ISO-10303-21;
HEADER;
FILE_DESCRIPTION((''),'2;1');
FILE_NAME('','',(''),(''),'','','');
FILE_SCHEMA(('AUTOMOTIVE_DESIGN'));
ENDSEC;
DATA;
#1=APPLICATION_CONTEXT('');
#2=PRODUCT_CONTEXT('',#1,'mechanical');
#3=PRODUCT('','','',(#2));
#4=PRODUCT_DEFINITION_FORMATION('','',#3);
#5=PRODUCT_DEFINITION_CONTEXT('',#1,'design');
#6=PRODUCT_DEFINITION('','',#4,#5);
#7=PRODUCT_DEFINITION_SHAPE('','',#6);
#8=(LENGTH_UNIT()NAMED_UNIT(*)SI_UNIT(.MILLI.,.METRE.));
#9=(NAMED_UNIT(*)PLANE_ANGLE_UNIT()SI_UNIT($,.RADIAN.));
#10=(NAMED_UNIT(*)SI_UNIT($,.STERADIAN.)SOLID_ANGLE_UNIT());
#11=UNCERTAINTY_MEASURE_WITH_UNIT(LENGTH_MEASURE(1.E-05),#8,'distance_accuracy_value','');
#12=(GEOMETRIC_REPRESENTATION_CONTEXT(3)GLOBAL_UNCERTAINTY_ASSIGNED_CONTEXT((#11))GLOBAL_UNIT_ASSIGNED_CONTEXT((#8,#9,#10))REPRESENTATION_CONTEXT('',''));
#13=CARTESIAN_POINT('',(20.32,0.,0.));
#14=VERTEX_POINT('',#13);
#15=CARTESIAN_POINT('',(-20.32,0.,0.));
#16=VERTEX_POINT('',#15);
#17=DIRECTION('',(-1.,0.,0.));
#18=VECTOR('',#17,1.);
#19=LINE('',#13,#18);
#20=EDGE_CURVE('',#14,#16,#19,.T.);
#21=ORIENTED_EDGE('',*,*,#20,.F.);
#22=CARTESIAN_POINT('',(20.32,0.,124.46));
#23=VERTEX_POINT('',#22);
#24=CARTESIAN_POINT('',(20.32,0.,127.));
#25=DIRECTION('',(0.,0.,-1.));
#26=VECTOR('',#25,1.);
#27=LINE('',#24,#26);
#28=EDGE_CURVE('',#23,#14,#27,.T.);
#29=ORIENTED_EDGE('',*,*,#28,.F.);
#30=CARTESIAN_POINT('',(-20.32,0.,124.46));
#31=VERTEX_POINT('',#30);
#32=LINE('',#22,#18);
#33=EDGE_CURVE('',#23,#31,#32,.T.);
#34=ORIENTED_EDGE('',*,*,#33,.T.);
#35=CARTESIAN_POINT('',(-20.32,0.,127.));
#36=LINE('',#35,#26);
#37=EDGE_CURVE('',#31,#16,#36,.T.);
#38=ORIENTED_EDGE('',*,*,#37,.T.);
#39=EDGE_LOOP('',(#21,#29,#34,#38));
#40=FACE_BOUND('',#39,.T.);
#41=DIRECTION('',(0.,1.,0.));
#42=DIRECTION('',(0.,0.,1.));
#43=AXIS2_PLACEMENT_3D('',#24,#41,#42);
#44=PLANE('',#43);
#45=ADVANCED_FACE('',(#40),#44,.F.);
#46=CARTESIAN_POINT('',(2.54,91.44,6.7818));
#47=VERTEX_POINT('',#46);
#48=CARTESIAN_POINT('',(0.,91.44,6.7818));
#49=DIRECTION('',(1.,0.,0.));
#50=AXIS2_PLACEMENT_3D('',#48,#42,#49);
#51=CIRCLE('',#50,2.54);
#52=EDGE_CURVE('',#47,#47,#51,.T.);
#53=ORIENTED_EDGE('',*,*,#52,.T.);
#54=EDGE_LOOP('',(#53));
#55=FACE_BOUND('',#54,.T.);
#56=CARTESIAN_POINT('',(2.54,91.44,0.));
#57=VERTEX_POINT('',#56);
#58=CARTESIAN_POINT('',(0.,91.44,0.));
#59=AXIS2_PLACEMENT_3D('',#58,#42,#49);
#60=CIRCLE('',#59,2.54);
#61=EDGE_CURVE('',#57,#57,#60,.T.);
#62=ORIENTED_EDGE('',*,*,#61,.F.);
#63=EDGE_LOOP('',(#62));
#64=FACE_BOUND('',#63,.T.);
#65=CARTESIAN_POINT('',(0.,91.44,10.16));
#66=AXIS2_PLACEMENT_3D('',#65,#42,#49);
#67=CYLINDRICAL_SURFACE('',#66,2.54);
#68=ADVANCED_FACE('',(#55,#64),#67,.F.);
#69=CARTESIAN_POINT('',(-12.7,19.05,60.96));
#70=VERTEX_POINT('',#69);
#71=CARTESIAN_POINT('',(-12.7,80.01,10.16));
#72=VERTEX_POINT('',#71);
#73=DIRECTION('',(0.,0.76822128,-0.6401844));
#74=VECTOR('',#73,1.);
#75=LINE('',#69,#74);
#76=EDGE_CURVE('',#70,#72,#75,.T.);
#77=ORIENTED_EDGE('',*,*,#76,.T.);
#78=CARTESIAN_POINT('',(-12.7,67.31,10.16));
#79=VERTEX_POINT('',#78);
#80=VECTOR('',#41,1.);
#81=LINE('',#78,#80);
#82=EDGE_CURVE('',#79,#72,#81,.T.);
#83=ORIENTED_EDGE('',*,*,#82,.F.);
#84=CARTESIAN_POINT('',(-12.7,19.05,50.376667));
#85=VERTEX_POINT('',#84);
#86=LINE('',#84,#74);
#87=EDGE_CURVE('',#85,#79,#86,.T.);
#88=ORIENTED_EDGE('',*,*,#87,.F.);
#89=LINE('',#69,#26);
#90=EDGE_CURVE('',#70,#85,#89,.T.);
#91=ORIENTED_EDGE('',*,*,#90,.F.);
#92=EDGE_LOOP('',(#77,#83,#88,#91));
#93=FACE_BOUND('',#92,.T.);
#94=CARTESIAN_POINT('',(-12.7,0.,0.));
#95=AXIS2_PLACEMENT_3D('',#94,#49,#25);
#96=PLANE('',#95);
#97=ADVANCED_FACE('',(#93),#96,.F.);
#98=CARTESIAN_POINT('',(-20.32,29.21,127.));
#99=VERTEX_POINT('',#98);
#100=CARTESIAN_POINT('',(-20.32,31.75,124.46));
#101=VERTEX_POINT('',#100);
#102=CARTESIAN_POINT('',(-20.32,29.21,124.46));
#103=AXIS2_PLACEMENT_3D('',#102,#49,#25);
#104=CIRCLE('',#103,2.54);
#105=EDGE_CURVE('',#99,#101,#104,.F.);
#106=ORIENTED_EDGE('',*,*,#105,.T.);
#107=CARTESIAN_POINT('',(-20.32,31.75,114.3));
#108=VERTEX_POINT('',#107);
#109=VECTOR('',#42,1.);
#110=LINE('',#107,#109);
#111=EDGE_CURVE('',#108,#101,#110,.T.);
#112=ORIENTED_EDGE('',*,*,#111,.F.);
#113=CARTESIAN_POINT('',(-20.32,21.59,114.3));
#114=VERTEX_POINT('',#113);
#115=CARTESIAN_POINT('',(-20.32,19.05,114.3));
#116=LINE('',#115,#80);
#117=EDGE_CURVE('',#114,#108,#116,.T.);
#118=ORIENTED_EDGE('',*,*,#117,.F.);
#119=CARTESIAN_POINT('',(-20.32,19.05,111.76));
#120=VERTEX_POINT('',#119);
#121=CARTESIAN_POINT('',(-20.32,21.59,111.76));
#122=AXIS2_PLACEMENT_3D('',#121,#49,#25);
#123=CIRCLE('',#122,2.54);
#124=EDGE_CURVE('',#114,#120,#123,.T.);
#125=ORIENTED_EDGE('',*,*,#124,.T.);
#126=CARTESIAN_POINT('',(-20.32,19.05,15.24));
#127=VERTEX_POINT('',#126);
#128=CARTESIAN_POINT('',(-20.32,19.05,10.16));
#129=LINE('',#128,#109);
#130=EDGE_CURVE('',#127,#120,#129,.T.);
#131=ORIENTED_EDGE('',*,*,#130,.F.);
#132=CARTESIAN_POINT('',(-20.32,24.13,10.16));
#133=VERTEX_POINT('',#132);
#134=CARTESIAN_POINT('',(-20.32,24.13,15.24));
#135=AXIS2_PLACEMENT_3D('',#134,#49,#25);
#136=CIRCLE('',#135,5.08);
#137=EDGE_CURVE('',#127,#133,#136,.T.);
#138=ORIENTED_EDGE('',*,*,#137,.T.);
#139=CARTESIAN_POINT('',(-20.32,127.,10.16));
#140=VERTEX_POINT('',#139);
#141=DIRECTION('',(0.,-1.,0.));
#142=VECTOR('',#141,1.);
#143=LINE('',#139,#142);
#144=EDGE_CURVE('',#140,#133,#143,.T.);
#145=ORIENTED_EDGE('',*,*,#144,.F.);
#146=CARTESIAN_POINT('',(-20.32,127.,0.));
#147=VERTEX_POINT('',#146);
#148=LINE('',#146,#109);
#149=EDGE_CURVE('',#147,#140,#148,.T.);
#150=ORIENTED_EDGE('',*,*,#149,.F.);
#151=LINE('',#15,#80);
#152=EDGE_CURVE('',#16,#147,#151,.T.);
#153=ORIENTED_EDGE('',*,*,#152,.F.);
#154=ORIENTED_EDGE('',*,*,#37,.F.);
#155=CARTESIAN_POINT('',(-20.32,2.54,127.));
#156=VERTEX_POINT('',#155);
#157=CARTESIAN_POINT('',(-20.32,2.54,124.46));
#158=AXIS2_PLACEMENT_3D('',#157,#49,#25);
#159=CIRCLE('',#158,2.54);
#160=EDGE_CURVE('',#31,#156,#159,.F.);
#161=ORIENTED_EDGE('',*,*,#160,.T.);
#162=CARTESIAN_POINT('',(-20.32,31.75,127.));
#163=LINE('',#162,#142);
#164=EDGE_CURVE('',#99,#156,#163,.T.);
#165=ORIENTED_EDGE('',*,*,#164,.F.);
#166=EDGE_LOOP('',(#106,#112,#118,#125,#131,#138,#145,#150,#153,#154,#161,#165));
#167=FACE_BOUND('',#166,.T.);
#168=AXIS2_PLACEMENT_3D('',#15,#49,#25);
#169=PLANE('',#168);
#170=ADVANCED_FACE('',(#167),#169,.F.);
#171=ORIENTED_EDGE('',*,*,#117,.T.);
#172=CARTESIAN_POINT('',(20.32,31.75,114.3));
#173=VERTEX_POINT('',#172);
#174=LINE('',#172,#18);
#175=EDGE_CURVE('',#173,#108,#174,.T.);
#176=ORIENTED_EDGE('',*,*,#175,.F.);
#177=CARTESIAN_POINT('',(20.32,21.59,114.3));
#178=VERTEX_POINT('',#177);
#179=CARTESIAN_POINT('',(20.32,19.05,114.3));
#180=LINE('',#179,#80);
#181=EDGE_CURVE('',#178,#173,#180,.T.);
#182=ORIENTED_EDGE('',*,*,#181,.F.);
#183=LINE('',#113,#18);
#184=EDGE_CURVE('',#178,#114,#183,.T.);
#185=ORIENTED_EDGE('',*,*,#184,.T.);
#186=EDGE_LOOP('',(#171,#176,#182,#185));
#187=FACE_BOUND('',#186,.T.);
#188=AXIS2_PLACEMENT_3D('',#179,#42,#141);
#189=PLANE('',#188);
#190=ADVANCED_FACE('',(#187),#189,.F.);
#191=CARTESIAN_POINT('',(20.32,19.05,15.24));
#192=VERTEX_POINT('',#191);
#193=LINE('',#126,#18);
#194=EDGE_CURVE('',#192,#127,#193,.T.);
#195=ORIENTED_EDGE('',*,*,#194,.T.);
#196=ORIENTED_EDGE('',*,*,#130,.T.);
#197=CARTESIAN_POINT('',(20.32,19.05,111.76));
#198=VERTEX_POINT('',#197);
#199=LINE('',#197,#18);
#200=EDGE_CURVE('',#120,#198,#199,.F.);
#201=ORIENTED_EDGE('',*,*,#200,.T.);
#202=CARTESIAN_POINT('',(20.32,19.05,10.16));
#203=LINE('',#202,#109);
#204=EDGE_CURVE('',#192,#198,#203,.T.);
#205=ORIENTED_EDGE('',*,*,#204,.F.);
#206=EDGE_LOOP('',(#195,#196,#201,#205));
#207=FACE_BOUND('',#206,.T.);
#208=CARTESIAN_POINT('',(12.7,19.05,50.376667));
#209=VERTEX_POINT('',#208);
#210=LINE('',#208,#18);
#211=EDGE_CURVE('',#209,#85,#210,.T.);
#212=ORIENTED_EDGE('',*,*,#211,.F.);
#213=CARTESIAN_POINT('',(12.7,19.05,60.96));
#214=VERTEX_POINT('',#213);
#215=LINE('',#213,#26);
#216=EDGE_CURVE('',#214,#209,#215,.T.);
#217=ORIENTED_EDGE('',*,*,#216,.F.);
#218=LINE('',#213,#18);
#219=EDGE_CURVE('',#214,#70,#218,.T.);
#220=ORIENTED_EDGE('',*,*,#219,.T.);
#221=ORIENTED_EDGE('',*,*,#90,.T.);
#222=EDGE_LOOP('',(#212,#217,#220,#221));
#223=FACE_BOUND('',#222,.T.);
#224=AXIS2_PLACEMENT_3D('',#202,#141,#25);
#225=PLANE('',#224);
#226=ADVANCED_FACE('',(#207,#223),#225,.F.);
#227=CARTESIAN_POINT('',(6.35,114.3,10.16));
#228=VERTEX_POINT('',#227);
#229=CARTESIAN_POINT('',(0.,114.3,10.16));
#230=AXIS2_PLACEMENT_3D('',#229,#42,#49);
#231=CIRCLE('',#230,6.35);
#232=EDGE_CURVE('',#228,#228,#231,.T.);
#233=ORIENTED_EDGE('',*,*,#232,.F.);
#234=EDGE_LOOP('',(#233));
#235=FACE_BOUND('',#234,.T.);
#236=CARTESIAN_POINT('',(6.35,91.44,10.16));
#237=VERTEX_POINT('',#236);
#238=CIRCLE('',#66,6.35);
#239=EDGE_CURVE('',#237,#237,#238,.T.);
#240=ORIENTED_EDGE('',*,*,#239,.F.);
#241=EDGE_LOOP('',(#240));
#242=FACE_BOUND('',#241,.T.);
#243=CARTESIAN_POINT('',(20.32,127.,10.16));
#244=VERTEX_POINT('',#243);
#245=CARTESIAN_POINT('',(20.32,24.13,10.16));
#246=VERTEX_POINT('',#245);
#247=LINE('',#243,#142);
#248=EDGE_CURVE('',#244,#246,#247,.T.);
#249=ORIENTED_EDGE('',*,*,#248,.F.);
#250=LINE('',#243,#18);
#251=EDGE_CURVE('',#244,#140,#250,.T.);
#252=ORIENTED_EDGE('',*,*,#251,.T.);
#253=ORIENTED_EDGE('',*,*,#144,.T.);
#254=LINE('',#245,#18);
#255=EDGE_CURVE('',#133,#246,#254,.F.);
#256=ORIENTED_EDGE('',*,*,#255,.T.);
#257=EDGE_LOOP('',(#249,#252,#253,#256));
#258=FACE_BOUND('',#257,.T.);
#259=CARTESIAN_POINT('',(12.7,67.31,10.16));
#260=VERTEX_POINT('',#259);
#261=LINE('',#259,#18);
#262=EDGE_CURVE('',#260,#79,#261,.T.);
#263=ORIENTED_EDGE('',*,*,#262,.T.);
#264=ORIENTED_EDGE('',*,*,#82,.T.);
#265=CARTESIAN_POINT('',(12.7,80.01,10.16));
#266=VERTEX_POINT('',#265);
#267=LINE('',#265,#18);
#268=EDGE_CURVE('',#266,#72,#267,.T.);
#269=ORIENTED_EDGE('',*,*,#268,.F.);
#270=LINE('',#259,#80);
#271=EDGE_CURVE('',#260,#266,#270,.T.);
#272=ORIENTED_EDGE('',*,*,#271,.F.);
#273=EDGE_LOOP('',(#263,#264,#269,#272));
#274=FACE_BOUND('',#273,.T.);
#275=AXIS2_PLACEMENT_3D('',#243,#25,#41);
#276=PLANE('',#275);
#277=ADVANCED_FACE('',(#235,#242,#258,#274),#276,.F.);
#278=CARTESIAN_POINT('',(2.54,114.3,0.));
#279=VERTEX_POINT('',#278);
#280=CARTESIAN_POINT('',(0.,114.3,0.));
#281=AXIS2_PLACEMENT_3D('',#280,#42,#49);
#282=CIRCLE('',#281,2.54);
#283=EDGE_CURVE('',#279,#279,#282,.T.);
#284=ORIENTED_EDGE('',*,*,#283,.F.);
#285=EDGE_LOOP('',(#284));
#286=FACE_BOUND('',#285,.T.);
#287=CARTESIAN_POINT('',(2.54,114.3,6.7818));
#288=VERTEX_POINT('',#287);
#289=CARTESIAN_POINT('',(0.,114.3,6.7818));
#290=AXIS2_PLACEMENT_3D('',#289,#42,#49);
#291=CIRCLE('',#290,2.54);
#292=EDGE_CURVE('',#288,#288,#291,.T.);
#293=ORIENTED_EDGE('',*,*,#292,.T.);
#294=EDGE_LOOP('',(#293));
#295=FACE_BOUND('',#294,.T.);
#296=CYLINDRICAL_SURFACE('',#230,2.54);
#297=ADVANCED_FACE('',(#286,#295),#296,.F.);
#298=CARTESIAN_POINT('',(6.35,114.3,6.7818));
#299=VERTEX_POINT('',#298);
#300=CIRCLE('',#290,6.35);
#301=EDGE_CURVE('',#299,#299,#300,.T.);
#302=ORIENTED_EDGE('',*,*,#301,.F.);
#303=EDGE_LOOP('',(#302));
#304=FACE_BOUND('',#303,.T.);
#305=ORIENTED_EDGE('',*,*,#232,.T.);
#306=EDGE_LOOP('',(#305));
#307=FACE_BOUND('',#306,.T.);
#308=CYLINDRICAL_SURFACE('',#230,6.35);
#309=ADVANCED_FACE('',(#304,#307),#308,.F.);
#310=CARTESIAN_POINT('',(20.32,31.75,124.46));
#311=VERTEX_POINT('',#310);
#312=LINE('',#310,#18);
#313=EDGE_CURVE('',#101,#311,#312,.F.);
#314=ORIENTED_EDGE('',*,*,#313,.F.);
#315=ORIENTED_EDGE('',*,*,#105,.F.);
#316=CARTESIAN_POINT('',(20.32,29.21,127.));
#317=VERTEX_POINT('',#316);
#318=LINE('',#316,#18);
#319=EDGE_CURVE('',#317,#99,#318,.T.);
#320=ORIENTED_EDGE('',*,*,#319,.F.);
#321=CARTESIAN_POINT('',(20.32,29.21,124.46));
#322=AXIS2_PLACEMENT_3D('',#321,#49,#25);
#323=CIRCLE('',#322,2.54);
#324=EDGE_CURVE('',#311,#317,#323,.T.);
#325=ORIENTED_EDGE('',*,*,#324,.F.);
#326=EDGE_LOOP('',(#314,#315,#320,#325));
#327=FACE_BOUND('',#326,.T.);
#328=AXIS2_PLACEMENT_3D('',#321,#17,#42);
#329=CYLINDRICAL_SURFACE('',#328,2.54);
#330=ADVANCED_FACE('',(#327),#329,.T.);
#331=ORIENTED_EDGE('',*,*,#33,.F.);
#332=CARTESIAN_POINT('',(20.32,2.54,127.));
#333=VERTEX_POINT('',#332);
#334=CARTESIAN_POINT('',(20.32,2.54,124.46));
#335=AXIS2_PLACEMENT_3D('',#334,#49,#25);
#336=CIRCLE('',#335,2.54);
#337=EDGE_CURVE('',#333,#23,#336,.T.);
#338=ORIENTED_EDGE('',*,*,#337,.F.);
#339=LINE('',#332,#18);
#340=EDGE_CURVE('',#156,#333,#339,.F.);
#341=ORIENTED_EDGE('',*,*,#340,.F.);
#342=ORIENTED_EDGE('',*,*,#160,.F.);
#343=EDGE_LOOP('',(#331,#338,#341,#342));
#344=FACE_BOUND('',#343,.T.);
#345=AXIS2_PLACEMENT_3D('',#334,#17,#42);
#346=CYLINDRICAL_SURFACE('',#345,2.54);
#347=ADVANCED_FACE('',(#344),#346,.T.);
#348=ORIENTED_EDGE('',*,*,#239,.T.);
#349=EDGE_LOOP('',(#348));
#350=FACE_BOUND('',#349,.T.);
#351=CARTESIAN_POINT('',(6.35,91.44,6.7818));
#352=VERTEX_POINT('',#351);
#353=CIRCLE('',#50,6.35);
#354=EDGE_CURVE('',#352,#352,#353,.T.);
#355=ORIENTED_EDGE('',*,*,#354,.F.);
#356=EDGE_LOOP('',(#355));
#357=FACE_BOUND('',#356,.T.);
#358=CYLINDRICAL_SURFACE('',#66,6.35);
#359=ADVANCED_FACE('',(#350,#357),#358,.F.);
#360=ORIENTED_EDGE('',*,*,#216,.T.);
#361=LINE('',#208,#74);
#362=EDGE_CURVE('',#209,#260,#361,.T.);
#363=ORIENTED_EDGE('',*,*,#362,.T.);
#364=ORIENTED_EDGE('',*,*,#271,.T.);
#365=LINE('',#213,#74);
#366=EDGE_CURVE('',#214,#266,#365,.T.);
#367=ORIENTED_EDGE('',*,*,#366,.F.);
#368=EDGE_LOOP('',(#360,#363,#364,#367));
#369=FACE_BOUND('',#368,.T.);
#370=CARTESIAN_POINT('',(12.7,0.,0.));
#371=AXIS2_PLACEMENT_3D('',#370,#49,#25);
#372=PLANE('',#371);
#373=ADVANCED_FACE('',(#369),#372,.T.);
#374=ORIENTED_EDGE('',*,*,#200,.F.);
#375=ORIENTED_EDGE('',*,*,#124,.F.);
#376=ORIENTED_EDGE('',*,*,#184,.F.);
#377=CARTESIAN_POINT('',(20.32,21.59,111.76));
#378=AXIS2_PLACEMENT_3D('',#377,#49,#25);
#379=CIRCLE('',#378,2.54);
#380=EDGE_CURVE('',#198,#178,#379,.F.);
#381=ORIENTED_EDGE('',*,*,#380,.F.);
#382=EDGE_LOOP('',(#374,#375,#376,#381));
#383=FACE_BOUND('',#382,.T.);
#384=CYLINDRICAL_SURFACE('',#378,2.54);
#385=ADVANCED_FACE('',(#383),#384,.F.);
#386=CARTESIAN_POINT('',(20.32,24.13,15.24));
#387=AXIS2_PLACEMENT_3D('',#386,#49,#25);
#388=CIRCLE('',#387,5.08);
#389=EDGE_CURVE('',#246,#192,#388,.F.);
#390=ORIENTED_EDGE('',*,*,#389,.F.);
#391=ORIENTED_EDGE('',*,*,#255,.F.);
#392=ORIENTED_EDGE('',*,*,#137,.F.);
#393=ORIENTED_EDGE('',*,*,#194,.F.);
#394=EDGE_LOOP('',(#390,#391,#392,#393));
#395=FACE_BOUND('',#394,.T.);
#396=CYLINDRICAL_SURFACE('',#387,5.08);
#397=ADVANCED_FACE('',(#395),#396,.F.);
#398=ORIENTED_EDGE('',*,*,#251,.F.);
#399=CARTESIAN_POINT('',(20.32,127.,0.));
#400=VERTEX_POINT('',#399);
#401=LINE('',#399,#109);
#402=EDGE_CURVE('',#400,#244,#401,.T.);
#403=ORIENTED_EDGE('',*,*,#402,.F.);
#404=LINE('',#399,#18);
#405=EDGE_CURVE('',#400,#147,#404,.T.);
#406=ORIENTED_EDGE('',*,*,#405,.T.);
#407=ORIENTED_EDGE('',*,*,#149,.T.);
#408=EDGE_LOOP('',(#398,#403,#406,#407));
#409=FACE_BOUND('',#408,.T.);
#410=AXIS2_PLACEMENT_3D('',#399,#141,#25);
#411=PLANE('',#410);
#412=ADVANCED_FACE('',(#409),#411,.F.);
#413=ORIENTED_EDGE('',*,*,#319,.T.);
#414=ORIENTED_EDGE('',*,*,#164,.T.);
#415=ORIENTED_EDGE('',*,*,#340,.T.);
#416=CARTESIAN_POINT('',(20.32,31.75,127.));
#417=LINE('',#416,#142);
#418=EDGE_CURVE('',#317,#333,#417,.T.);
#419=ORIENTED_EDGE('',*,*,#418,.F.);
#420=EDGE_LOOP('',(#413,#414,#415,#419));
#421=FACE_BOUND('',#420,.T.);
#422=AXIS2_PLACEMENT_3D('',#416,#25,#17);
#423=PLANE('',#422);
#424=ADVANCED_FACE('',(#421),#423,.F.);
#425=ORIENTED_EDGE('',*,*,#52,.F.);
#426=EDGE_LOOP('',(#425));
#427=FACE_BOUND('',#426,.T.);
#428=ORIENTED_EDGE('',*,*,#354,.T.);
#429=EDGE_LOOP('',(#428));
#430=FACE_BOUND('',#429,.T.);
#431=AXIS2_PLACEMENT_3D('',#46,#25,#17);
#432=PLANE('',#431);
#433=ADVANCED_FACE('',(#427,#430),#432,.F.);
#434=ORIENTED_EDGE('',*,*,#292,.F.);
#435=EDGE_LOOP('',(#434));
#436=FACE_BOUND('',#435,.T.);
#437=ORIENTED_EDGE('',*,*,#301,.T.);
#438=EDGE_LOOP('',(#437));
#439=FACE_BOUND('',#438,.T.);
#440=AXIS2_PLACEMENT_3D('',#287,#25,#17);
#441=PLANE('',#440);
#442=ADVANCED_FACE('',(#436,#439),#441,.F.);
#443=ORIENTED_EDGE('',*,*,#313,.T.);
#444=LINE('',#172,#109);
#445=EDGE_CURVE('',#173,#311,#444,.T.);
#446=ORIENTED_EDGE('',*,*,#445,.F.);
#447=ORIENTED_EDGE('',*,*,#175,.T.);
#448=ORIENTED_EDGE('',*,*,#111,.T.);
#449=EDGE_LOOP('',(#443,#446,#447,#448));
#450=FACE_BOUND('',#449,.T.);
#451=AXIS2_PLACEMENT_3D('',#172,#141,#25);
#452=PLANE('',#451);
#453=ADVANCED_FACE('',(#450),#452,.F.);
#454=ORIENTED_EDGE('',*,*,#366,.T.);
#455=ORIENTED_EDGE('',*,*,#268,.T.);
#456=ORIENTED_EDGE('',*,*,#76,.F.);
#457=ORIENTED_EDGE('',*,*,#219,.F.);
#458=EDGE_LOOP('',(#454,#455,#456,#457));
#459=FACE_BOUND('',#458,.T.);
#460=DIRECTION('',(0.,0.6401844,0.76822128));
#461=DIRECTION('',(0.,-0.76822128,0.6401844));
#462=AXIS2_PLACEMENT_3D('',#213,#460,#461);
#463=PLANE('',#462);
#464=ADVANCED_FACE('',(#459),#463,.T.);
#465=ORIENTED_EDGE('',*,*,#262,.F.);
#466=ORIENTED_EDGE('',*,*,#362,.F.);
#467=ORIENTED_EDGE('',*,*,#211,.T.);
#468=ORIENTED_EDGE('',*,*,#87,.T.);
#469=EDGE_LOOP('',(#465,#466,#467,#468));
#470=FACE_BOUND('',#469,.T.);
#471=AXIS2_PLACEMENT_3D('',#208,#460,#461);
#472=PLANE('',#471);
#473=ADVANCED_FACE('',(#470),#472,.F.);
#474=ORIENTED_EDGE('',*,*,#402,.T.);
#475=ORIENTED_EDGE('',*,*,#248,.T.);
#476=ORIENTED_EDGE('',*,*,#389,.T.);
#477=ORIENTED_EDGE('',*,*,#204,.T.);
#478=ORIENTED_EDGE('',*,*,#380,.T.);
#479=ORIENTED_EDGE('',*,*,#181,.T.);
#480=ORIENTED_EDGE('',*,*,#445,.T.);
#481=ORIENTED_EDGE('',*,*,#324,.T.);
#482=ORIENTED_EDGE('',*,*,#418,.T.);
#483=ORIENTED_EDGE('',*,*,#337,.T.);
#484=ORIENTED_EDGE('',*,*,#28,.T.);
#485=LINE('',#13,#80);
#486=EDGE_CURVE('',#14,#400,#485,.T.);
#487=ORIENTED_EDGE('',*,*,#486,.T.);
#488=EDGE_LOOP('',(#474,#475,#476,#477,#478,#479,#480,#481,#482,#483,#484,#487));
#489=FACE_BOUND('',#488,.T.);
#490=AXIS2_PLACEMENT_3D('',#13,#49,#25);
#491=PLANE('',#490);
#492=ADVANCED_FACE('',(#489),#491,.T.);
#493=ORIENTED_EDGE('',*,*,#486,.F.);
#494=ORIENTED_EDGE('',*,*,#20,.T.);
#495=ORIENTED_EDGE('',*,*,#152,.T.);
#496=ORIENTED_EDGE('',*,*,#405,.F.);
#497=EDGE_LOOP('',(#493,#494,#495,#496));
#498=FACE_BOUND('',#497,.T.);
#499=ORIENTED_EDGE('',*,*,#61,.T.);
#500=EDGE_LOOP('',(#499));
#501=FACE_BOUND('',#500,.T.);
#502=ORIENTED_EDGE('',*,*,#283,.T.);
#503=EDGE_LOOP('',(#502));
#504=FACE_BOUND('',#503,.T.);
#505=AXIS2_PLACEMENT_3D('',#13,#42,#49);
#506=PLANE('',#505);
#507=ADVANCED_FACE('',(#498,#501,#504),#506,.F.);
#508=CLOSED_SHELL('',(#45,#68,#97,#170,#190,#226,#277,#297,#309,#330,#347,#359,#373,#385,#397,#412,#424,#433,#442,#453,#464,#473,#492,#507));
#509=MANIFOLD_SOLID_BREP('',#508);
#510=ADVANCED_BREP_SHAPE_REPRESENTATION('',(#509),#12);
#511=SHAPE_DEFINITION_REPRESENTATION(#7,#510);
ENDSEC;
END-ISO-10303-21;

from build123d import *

# Parameters (mm, degrees)
BOSS_EXTRUDE1_DEPTH                              = 20.32
BOSS_EXTRUDE2_DEPTH                              = 12.7
CBORE_FOR_10_PAN_HEAD_MACHINE_SCREW1_D           = 5.08
CBORE_FOR_10_PAN_HEAD_MACHINE_SCREW1_CBORE_D     = 12.7
CBORE_FOR_10_PAN_HEAD_MACHINE_SCREW1_CBORE_DEPTH = 3.3782
FILLET1_R                                        = 5.08
FILLET2_R                                        = 2.54
FILLET3_R                                        = 2.54
FILLET4_R                                        = 2.54


with BuildPart() as part:
    # Sketch1 → Boss-Extrude1 (new, symmetric)
    with BuildSketch(Plane(origin=(0, 0, 0), x_dir=(0, 0, -1), z_dir=(1, 0, 0))):
        Polygon((0, 0), (0, 127), (-10.16, 127), (-10.16, 19.05), (-114.3, 19.05), (-114.3, 31.75), (-127, 31.75), (-127, 0), align=None)
    extrude(amount=BOSS_EXTRUDE1_DEPTH, both=True)

    # Sketch1<9> → Boss-Extrude2 (add, symmetric)
    with BuildSketch(Plane(origin=(0, 0, 0), x_dir=(0, 0, -1), z_dir=(1, 0, 0))):
        Polygon((-60.96, 19.05), (-10.16, 80.01), (-10.16, 67.31), (-50.376666667, 19.05), align=None)
    extrude(amount=BOSS_EXTRUDE2_DEPTH, both=True)

    # CBORE for #10 Pan Head Machine Screw1 (through all)
    with Locations(Plane.XY.offset(10.16)):
        with Locations((0, 91.44), (0, 114.3)):
            CounterBoreHole(CBORE_FOR_10_PAN_HEAD_MACHINE_SCREW1_D / 2, CBORE_FOR_10_PAN_HEAD_MACHINE_SCREW1_CBORE_D / 2, CBORE_FOR_10_PAN_HEAD_MACHINE_SCREW1_CBORE_DEPTH)

    # Fillet1
    fillet1_edges = [part.edges().sort_by_distance(p)[0] for p in [
        (0, 19.05, 10.16),
    ]]
    fillet(fillet1_edges, radius=FILLET1_R)

    # Fillet2
    fillet2_edges = [part.edges().sort_by_distance(p)[0] for p in [
        (0, 19.05, 114.3),
    ]]
    fillet(fillet2_edges, radius=FILLET2_R)

    # Fillet3
    fillet3_edges = [part.edges().sort_by_distance(p)[0] for p in [
        (0, 0, 127),
    ]]
    fillet(fillet3_edges, radius=FILLET3_R)

    # Fillet4
    fillet4_edges = [part.edges().sort_by_distance(p)[0] for p in [
        (0, 31.75, 127),
    ]]
    fillet(fillet4_edges, radius=FILLET4_R)


solid = part.part
